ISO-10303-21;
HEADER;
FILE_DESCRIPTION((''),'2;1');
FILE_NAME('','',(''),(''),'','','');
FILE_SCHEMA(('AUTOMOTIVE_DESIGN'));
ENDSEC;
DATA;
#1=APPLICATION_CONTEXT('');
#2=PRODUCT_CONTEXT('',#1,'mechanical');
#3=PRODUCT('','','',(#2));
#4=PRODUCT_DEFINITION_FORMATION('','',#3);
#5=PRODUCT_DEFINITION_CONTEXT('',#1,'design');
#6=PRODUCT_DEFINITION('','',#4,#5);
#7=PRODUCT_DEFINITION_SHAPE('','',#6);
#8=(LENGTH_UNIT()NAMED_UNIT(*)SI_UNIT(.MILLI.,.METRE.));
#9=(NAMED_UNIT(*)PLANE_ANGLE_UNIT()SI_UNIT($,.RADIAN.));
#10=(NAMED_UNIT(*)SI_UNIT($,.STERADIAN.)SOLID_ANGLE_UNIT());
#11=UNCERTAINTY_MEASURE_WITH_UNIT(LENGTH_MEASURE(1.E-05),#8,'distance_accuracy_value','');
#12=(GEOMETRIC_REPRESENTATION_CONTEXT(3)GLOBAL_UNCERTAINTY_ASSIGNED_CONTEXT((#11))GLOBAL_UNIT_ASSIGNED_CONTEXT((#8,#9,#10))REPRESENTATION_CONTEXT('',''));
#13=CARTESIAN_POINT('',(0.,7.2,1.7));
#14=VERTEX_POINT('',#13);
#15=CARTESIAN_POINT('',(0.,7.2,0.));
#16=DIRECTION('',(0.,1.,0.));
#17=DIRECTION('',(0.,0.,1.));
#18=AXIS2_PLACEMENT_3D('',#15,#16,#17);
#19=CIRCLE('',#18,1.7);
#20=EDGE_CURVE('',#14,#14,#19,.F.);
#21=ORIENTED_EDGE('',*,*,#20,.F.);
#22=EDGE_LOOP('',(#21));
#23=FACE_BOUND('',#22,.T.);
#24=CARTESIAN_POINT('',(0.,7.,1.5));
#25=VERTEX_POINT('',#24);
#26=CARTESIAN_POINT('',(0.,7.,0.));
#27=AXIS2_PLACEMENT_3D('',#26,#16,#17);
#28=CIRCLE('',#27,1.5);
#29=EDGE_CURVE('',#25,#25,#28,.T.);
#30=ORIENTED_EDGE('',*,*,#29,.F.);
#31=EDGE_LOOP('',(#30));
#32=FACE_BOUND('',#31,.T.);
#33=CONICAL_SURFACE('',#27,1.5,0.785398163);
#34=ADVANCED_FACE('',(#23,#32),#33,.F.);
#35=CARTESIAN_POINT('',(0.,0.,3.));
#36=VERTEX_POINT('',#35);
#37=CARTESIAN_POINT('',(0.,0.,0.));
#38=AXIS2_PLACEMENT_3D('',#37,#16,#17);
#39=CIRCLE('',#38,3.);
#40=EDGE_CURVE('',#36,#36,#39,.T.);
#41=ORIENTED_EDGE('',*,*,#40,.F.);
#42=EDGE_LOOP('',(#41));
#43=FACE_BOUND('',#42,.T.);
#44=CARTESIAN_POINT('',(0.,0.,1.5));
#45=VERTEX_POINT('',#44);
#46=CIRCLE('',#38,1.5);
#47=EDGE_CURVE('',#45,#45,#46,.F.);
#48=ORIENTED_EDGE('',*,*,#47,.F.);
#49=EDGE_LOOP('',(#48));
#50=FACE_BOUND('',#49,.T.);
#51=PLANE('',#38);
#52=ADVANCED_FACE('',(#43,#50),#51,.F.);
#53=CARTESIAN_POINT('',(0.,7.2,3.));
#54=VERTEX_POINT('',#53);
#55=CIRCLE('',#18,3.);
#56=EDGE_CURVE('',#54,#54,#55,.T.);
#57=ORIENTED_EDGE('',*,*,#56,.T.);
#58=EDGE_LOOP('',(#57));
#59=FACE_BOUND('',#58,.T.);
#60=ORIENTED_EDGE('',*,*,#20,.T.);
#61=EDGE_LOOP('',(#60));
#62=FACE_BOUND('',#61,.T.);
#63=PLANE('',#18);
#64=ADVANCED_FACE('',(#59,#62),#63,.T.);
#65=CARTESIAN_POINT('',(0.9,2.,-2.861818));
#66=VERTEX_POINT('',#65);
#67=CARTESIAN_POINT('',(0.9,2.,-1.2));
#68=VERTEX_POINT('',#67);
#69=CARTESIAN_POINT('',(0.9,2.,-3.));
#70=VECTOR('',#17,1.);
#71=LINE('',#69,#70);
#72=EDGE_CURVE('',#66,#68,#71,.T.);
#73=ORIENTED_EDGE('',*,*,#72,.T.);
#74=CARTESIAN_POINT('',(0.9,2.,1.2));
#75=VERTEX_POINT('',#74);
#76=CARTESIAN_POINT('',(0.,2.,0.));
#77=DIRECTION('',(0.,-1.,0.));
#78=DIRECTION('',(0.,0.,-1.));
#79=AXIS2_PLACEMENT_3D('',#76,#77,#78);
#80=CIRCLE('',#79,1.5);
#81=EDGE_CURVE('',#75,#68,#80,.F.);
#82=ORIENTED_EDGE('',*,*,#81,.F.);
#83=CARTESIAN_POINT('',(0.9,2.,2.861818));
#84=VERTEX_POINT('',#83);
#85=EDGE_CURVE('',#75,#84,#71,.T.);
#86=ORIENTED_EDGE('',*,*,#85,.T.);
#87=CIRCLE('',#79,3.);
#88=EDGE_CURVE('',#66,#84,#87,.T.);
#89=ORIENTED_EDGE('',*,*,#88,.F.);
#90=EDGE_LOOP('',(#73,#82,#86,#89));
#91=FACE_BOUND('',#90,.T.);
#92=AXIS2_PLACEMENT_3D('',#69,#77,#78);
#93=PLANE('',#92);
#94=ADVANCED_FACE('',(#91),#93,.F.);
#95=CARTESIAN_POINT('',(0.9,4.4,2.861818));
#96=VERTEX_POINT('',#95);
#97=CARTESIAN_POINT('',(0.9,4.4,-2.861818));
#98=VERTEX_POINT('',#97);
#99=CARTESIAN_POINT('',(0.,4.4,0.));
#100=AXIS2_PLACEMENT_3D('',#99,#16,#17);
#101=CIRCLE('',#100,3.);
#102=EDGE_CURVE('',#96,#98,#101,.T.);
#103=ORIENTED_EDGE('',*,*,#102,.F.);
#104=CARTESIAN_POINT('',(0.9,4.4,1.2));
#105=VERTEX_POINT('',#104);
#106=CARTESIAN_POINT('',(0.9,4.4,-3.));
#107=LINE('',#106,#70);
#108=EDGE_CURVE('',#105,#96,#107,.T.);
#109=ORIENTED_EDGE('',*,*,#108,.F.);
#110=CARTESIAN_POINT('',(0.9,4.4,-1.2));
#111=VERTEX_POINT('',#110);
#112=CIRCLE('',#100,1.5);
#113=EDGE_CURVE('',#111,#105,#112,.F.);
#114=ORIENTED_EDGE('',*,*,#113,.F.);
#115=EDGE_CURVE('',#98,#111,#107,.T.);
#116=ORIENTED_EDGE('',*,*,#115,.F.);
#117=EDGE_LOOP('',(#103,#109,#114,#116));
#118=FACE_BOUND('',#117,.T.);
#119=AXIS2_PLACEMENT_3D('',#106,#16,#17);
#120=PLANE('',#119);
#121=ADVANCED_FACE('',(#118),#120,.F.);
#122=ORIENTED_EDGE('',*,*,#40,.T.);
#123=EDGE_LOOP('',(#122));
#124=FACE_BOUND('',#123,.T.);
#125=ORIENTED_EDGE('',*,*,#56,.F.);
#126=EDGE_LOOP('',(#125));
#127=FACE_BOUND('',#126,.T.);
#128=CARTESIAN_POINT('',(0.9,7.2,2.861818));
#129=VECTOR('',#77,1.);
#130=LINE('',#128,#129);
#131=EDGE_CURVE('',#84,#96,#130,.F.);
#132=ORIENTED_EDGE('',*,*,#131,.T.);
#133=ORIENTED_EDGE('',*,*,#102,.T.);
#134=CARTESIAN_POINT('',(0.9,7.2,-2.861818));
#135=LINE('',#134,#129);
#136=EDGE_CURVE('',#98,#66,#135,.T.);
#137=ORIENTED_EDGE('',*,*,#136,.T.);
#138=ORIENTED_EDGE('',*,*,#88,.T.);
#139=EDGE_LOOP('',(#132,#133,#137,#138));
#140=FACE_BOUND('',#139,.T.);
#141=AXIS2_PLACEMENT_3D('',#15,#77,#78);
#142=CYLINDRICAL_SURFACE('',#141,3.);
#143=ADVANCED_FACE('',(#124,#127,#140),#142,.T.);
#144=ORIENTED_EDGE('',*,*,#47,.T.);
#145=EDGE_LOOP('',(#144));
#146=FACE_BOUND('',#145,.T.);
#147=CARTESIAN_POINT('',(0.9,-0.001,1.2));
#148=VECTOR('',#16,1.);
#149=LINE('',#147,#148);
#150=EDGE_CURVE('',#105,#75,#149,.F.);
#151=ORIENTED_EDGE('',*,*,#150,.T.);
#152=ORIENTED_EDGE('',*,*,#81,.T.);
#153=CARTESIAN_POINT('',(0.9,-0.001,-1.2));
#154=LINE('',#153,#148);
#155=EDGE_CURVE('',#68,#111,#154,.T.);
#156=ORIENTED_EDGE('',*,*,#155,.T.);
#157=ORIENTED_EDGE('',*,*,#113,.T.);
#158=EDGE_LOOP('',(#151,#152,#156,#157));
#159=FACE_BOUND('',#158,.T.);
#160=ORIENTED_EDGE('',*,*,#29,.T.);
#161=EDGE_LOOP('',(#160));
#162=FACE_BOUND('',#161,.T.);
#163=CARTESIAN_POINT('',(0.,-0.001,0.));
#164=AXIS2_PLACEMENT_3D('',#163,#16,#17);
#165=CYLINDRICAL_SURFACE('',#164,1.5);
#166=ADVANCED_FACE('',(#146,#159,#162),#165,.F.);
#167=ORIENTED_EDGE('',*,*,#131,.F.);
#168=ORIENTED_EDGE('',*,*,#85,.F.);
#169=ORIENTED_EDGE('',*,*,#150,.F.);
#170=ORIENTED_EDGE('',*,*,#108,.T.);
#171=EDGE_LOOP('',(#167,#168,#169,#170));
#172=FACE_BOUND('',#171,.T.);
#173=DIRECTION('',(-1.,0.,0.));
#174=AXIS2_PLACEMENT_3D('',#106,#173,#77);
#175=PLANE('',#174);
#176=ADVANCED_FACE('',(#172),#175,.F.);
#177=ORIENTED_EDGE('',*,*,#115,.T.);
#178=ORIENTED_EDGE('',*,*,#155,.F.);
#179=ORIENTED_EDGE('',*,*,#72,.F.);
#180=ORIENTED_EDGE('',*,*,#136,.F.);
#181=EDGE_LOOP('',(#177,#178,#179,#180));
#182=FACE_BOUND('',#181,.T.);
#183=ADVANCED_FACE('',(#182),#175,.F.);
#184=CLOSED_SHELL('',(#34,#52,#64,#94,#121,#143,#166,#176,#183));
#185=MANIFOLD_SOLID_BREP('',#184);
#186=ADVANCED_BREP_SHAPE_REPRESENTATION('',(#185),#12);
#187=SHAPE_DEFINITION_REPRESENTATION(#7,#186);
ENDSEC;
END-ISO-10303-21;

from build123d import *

# Parameters (mm, degrees)
SKETCH1_R               = 3
BOSS_EXTRUDE1_DEPTH     = 7.2
CUT_EXTRUDE1_REACH      = 9.2
SKETCH2_R               = 1.5
SKETCH3_W               = 2.1
SKETCH3_H               = 2.4
CUT_EXTRUDE2_DEPTH      = 4
CUT_EXTRUDE2_DEPTH_BACK = 4
CHAMFER1_SIZE           = 0.2


with BuildPart() as part:
    # Sketch1 → Boss-Extrude1 (new body)
    with BuildSketch(Plane(origin=(0, 0, 0), x_dir=(1, 0, 0), z_dir=(0, 1, 0))):
        Circle(SKETCH1_R)
    extrude(amount=BOSS_EXTRUDE1_DEPTH)

    # Sketch2 → Cut-Extrude1 (cut, up to next)
    with BuildSketch(Plane(origin=(0, 7.2, 0), x_dir=(1, 0, 0), z_dir=(0, 1, 0)), mode=Mode.PRIVATE) as cut_extrude1_sk1:
        Circle(SKETCH2_R)
    cut_extrude1_tool1 = extrude(cut_extrude1_sk1.sketch, amount=-CUT_EXTRUDE1_REACH, mode=Mode.PRIVATE) & part.part
    add(cut_extrude1_tool1.solids().sort_by_distance((0, 7.2, 0))[0], mode=Mode.SUBTRACT)

    # Sketch3 → Cut-Extrude2 (cut, two sides)
    with BuildSketch(Plane.XY) as cut_extrude2_sk:
        with Locations((1.95, 3.2)):
            Rectangle(SKETCH3_W, SKETCH3_H)
    extrude(amount=CUT_EXTRUDE2_DEPTH, mode=Mode.SUBTRACT)
    extrude(cut_extrude2_sk.sketch, amount=-CUT_EXTRUDE2_DEPTH_BACK, mode=Mode.SUBTRACT)

    # Chamfer1
    chamfer1_edges = [part.edges().sort_by_distance(p)[0] for p in [
        (-1.5, 7.2, 0),
    ]]
    chamfer(chamfer1_edges, length=CHAMFER1_SIZE)


solid = part.part
